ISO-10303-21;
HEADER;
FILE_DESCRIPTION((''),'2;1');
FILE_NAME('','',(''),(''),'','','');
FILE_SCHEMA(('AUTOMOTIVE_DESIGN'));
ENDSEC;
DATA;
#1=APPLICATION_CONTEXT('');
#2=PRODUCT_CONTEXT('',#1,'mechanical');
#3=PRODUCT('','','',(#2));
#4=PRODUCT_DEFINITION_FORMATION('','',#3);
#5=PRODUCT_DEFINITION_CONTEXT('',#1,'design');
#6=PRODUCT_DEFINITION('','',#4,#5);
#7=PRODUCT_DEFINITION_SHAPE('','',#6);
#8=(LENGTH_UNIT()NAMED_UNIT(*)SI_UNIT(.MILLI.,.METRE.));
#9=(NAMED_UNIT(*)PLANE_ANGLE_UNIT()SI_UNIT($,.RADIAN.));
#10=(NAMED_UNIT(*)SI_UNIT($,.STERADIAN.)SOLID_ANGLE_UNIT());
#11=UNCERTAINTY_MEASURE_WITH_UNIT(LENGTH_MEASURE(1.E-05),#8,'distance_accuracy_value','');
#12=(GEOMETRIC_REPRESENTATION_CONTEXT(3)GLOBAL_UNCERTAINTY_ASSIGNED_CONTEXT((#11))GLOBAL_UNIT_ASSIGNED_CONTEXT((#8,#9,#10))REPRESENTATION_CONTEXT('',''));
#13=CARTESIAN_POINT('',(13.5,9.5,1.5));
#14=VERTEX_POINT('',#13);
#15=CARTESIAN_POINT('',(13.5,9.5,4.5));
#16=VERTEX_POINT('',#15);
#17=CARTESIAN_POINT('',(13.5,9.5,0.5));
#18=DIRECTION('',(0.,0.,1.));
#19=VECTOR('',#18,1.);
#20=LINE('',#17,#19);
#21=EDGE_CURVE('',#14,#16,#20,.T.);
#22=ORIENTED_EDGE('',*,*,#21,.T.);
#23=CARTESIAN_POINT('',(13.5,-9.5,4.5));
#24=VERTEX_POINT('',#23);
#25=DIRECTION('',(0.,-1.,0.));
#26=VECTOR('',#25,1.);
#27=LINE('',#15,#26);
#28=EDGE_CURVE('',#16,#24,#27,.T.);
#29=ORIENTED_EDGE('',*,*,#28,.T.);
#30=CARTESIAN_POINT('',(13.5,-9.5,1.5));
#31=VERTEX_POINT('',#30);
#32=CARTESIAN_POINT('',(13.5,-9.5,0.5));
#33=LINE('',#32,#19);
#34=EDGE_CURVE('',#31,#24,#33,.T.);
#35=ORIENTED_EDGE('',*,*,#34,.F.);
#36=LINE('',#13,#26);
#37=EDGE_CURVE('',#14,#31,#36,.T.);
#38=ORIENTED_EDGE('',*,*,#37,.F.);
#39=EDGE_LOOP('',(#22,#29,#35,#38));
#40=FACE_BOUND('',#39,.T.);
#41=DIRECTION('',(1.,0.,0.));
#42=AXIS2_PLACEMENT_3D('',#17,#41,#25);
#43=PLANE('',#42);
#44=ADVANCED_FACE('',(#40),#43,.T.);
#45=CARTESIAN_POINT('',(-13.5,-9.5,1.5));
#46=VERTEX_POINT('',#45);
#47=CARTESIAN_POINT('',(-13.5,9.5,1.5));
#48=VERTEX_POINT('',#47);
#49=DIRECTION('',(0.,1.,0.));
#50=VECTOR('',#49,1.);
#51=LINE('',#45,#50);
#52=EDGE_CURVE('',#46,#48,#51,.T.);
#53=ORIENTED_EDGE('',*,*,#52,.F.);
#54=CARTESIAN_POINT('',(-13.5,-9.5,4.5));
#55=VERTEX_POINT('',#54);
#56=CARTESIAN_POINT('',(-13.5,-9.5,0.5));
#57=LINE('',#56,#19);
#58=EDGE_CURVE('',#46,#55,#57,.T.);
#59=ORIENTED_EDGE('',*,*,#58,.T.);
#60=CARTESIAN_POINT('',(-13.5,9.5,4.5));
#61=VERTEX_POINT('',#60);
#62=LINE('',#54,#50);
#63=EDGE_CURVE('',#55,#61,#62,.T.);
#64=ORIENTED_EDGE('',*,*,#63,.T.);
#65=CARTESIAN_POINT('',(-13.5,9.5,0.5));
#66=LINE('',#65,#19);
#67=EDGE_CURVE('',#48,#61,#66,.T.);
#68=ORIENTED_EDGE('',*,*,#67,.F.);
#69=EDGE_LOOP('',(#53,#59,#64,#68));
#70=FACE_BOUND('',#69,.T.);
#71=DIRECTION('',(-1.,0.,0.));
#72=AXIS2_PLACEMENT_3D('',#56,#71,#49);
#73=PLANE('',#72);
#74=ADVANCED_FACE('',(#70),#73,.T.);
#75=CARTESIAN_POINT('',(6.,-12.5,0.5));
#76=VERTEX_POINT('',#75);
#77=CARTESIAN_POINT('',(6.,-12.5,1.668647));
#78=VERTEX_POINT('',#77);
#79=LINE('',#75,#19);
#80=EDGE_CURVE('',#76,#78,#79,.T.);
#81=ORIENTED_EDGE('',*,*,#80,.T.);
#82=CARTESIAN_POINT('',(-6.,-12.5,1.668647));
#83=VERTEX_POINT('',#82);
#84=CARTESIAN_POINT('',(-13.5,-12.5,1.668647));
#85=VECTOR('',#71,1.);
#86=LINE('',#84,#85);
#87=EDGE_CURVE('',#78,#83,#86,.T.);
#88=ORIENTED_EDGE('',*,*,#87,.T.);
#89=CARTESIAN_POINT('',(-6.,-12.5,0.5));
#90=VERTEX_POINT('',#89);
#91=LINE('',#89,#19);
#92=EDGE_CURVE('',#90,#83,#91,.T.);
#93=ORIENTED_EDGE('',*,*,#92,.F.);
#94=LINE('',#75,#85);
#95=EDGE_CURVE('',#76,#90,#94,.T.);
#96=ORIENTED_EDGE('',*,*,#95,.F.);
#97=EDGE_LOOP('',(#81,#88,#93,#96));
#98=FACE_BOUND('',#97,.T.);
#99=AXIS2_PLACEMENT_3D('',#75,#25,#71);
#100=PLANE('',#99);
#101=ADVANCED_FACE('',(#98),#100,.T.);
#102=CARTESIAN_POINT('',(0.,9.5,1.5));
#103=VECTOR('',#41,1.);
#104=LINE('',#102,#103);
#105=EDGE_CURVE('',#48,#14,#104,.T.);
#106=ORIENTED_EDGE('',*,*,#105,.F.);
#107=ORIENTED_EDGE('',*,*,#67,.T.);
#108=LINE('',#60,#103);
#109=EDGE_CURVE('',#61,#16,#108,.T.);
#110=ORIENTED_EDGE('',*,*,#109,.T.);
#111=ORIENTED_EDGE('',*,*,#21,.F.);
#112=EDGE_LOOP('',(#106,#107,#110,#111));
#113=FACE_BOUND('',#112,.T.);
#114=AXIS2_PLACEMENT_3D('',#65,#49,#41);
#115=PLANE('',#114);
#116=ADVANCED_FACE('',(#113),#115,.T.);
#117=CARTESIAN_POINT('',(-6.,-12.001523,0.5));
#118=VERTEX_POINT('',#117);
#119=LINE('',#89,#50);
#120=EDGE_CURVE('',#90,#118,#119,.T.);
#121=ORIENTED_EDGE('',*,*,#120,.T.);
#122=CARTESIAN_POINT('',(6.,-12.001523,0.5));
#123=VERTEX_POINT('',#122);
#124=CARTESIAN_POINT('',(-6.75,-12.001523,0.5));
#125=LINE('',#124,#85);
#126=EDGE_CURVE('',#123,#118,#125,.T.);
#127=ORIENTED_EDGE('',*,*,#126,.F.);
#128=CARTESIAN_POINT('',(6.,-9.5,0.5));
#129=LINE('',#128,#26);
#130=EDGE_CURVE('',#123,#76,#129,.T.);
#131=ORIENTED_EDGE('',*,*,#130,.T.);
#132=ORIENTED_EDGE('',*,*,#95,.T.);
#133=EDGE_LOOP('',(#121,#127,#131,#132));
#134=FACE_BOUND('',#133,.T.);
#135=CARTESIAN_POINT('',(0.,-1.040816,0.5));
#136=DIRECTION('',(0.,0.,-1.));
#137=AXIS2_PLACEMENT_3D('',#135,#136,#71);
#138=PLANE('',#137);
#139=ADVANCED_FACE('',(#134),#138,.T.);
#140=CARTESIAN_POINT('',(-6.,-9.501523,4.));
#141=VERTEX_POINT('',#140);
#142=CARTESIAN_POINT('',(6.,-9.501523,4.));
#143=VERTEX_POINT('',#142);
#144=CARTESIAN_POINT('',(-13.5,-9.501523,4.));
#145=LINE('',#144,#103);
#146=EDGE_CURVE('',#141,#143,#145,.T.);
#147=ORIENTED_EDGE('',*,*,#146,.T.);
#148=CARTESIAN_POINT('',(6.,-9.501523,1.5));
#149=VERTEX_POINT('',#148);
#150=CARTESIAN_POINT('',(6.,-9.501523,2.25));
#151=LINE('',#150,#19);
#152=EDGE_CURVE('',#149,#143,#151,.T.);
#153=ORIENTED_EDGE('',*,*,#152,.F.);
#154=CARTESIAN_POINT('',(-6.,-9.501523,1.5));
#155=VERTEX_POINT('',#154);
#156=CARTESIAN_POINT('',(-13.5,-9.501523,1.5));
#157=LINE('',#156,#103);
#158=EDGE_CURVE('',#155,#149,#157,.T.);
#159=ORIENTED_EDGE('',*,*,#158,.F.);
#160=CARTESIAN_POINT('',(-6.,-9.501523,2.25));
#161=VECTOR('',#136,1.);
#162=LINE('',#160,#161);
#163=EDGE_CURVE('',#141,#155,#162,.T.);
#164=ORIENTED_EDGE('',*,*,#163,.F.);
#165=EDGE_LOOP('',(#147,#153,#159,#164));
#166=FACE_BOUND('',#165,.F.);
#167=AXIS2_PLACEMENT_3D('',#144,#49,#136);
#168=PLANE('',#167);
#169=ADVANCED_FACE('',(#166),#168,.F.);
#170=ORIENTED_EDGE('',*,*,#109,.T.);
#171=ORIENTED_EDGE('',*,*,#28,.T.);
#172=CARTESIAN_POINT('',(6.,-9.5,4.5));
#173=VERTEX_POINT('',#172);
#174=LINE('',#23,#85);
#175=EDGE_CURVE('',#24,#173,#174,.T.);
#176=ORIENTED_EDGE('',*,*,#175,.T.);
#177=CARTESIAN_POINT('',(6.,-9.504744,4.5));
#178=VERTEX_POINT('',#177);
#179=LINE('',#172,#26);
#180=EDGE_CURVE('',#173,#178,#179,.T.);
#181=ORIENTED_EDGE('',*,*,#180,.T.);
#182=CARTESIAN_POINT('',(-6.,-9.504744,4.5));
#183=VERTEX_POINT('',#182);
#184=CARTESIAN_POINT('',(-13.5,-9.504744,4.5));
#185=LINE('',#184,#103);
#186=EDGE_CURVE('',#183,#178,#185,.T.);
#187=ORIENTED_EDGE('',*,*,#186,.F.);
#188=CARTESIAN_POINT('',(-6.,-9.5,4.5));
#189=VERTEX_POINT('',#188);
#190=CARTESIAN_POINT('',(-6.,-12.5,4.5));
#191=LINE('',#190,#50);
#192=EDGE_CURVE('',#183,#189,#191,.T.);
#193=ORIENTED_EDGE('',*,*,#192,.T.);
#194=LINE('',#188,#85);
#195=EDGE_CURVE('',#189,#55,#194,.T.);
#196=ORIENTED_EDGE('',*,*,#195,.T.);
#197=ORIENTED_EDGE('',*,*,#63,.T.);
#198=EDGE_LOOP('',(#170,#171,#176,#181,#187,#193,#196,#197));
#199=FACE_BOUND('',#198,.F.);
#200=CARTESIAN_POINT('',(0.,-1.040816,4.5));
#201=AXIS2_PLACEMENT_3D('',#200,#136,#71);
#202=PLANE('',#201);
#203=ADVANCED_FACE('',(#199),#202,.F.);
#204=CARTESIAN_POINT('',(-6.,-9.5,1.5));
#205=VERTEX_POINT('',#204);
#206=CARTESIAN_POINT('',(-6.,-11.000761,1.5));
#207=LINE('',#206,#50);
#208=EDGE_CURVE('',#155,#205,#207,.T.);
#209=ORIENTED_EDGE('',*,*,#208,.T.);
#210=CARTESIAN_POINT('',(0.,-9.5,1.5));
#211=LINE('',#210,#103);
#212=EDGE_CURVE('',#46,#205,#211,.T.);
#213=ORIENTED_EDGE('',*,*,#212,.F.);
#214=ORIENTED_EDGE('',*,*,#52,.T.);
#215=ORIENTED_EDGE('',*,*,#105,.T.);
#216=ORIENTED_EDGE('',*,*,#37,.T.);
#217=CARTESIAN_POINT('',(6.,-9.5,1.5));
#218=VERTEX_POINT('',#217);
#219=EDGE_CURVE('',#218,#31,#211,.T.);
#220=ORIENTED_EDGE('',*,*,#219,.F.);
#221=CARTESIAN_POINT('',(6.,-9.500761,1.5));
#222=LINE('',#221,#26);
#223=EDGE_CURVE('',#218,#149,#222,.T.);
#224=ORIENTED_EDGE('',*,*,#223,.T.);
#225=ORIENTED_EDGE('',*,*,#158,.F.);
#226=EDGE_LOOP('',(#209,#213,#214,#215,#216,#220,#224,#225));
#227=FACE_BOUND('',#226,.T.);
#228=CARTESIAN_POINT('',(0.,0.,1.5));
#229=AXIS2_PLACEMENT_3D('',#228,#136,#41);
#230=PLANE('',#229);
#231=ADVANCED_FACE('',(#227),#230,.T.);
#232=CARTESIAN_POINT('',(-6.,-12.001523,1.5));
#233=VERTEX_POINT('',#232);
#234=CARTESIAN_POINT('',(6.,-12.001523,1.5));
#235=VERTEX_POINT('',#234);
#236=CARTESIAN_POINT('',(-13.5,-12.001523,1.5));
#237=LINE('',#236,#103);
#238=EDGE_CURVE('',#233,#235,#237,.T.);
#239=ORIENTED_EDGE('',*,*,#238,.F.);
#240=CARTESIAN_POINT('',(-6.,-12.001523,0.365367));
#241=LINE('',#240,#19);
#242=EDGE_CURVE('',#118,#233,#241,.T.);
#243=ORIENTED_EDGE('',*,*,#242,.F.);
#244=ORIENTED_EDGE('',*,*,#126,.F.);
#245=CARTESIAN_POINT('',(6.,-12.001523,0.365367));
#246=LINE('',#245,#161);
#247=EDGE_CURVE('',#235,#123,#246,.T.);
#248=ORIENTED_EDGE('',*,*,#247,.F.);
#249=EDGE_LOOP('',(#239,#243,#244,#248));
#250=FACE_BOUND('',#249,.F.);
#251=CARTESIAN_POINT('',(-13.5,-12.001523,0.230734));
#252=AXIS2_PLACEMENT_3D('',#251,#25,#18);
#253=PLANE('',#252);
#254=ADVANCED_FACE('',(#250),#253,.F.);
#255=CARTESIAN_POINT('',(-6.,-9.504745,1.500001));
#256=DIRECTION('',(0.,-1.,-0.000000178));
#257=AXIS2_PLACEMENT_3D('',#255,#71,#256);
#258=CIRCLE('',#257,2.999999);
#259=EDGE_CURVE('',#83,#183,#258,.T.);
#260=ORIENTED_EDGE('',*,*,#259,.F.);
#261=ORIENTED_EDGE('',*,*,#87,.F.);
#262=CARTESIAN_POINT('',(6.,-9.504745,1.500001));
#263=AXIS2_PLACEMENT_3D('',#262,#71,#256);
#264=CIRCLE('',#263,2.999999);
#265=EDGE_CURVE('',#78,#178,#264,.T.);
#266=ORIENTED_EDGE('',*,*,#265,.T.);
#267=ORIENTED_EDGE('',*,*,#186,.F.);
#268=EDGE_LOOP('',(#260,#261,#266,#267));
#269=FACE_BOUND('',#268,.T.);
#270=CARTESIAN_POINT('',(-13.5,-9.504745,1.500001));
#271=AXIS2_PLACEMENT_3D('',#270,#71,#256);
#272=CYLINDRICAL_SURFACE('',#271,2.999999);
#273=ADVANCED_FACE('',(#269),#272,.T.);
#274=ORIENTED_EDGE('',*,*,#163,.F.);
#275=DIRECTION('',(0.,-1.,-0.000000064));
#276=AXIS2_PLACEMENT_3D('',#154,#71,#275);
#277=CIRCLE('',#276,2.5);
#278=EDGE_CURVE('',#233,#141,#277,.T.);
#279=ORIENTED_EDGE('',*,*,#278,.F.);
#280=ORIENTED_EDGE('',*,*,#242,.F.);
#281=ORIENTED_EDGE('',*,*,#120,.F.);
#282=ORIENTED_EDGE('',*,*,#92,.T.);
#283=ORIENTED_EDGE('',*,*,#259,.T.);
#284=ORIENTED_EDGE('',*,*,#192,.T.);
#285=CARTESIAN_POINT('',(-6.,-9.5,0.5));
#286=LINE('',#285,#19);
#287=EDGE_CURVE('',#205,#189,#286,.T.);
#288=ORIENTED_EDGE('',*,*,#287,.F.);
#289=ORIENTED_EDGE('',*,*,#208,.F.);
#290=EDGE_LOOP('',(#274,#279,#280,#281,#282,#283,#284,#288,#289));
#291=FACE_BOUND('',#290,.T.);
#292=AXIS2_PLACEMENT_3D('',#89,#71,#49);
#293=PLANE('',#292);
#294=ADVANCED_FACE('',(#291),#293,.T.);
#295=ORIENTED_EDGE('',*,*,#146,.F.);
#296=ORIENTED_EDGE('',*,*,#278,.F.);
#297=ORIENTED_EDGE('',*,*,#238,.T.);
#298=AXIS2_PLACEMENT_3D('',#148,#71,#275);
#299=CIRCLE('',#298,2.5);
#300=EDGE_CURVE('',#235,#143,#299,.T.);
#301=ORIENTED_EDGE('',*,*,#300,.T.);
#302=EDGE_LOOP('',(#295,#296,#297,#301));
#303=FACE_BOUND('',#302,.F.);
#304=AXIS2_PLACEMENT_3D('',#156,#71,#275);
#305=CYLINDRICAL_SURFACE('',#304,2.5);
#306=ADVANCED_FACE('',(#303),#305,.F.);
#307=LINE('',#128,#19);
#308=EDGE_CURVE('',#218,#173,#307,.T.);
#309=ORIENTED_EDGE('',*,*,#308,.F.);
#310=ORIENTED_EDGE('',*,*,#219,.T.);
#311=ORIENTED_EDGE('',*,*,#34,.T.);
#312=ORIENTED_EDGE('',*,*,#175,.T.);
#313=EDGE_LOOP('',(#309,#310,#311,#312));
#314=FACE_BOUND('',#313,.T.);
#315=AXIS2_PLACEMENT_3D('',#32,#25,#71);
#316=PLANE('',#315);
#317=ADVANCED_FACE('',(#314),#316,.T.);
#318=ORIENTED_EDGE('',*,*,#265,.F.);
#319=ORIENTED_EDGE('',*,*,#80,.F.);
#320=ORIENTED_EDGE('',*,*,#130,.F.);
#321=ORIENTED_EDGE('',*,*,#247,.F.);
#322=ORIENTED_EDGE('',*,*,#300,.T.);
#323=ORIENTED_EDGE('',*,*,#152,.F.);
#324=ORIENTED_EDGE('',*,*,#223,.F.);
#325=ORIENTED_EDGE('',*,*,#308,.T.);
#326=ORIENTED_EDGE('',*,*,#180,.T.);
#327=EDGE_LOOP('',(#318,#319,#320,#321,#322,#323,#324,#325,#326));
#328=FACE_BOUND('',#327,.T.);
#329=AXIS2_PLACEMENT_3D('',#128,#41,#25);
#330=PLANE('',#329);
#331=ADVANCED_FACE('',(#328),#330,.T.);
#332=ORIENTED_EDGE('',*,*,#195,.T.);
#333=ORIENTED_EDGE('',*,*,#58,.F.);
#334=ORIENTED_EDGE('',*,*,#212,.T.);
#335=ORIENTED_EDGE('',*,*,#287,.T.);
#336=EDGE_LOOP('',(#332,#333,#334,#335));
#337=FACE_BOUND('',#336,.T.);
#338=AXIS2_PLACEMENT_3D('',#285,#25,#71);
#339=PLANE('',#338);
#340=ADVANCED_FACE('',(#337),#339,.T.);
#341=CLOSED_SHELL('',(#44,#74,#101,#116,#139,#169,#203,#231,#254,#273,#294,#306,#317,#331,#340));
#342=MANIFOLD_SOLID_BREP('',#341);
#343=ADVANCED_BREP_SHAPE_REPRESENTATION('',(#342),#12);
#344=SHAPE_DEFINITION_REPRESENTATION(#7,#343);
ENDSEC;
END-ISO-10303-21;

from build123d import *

# Parameters (mm, degrees)
PAD001_DEPTH    = 4
SKETCH004_W     = 27
SKETCH004_H     = 19
POCKET_DEPTH    = 1
POCKET001_DEPTH = 27
POCKET002_DEPTH = 27


with BuildPart() as part:
    # Sketch001 → Pad001 (new body)
    with BuildSketch(Plane.XY):
        Polygon((-13.5, 9.5), (13.5, 9.5), (13.5, -9.5), (6, -9.5), (6, -12.5), (-6, -12.5), (-6, -9.5), (-13.5, -9.5), align=None)
    extrude(amount=PAD001_DEPTH)

    # Sketch004 (on Face9 of Pad001) → Pocket (cut)
    with BuildSketch(Plane(origin=(0, 0, 0), x_dir=(1, 0, 0), z_dir=(0, 0, -1))):
        Rectangle(SKETCH004_W, SKETCH004_H)
    extrude(amount=-POCKET_DEPTH, mode=Mode.SUBTRACT)

    # Sketch002 (on Face11 of Pocket) → Pocket001 (cut)
    with BuildSketch(Plane(origin=(-13.5, 0, 0), x_dir=(0, -1, 0), z_dir=(-1, 0, 0))):
        with BuildLine():
            ThreePointArc((12.504744, 1), (11.626065, 3.12132), (9.504744, 4))
            Line((9.504744, 4), (9.504744, 5.572417))
            Line((9.504744, 5.572417), (13.03316, 5.572417))
            Line((13.03316, 5.572417), (13.03316, 1))
            Line((13.03316, 1), (12.504744, 1))
        make_face()
    extrude(amount=-POCKET001_DEPTH, mode=Mode.SUBTRACT)

    # Sketch003 (on Face11 of Pocket001) → Pocket002 (cut)
    with BuildSketch(Plane(origin=(-13.5, 0, 0), x_dir=(0, -1, 0), z_dir=(-1, 0, 0))):
        with BuildLine():
            ThreePointArc((12.001523, 1), (11.26929, 2.767767), (9.501523, 3.5))
            Line((9.501523, 3.5), (9.501523, 1))
            Line((9.501523, 1), (9.324189, 1))
            Line((9.324189, 1), (9.324189, -0.269266))
            Line((9.324189, -0.269266), (10.161053, -0.269266))
            Line((10.161053, -0.269266), (12.001523, -0.269266))
            Line((12.001523, -0.269266), (12.001523, 1))
        make_face()
    extrude(amount=-POCKET002_DEPTH, mode=Mode.SUBTRACT)


with BuildPart() as part_1:
    # Body placement: moved
    add(part.part.moved(Location((0, 0, 0.5))))


solid = part_1.part
